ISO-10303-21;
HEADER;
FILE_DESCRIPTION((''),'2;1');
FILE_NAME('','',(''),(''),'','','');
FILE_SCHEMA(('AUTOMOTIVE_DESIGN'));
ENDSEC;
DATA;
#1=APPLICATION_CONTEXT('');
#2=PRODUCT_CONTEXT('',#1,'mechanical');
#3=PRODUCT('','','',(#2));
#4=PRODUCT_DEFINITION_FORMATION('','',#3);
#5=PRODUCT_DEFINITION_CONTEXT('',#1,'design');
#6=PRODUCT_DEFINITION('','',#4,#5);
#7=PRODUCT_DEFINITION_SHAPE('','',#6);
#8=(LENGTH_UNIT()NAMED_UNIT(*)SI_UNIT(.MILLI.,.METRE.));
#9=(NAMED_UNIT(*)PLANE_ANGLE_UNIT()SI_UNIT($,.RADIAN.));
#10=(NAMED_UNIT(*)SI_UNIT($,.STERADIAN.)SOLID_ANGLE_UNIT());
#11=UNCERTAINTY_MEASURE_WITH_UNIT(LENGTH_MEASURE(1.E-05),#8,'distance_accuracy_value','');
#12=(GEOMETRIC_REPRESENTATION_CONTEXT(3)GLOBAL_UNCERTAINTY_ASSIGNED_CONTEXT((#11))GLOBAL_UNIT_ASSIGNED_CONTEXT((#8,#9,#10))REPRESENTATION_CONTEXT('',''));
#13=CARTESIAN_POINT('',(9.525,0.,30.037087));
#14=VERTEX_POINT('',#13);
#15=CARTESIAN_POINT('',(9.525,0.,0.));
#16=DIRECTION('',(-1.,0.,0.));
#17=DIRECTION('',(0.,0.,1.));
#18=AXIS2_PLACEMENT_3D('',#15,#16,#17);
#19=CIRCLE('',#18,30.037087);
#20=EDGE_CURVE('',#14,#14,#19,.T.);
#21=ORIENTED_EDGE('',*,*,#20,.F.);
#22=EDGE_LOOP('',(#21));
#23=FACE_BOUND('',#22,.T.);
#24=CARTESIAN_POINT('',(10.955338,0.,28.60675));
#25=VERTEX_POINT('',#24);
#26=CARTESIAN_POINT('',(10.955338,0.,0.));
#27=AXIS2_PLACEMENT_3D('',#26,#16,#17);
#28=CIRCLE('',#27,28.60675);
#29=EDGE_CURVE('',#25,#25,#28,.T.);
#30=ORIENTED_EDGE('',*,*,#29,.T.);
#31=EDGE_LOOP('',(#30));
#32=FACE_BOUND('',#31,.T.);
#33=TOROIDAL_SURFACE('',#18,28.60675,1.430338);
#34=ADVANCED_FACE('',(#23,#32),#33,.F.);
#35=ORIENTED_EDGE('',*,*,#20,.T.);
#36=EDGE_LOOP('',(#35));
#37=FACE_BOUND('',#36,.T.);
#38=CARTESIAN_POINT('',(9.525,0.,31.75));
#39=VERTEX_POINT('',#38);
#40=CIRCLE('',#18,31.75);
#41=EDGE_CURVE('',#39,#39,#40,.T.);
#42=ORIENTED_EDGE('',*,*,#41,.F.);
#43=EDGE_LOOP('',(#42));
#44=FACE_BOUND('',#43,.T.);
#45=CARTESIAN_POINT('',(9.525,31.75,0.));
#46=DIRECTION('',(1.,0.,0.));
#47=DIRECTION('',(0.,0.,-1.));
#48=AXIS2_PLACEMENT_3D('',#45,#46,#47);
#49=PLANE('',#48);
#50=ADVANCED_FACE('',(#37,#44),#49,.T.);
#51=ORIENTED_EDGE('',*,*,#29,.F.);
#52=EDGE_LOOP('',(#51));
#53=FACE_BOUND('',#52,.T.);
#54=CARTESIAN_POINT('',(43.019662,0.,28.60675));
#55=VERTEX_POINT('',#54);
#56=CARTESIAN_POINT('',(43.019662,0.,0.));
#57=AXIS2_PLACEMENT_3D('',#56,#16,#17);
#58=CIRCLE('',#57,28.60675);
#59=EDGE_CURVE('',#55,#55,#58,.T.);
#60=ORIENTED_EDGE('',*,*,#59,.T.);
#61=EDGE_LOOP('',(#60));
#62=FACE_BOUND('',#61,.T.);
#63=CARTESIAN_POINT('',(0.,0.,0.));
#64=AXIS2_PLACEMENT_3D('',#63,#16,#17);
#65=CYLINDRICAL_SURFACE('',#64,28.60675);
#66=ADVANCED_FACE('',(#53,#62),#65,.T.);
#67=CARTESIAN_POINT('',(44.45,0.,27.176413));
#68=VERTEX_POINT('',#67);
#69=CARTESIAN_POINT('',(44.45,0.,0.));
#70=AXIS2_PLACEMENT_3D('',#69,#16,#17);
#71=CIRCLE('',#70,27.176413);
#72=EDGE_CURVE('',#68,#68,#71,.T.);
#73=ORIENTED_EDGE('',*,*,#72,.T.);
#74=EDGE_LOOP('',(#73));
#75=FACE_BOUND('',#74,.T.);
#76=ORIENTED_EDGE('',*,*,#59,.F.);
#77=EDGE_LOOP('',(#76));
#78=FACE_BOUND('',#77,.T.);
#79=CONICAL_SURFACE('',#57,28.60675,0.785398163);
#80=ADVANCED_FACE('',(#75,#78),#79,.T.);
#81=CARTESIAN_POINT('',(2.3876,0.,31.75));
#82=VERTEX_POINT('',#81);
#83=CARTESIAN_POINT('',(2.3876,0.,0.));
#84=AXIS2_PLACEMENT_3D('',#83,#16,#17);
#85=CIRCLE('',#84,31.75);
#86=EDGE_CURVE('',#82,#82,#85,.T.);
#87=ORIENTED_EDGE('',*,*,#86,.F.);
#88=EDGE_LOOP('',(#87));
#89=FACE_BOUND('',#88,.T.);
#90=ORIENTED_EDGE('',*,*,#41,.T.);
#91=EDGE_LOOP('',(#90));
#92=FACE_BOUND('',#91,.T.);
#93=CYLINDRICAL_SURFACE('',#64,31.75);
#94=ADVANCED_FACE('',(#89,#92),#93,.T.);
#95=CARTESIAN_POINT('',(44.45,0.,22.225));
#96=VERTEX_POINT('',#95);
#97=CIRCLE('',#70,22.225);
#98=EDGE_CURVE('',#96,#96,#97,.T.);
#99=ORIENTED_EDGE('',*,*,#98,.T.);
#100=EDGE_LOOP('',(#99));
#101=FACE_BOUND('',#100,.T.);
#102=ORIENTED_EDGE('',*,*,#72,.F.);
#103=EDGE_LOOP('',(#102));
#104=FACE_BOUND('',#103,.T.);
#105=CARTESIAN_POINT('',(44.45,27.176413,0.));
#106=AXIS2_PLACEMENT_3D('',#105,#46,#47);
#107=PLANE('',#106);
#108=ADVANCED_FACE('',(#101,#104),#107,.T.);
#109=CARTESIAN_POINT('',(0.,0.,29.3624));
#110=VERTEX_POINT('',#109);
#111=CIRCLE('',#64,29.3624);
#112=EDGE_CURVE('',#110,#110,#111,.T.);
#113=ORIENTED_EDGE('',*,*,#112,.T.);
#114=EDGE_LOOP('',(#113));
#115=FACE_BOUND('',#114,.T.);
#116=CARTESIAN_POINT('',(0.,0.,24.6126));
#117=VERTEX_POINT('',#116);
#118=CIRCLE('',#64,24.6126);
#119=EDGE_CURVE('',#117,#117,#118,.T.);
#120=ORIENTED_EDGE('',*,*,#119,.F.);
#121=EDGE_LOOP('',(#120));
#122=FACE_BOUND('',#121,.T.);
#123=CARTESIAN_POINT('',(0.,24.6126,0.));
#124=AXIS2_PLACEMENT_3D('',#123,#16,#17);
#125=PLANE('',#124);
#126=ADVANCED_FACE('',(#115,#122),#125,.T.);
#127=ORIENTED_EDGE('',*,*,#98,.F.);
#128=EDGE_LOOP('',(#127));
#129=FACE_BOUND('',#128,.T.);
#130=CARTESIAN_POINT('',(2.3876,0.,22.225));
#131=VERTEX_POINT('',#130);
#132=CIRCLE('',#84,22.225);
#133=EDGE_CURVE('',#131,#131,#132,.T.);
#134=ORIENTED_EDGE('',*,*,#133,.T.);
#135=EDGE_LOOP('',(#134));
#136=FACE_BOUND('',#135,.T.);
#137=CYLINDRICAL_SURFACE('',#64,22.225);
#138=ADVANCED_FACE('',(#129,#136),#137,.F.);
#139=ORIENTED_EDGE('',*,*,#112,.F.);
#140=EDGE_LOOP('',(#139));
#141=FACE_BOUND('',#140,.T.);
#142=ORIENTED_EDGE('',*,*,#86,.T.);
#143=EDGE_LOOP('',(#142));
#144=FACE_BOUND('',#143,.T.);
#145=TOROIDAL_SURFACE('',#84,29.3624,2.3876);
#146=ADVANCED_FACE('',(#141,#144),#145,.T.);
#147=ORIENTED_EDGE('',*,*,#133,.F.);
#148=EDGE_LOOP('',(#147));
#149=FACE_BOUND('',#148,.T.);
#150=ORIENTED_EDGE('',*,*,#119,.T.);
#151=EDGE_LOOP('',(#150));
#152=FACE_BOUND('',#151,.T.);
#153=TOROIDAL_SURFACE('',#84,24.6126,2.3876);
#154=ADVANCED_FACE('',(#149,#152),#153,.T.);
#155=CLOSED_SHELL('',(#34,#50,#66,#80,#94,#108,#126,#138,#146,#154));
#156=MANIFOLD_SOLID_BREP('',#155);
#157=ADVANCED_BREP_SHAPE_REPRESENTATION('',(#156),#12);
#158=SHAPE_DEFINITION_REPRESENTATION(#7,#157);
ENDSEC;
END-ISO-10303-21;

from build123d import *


with BuildPart() as part:
    # Sketch1 → BaseBody (revolve)
    with BuildSketch(Plane.XY, mode=Mode.PRIVATE) as basebody_sk:
        with BuildLine():
            Line((0, 24.6126), (0, 29.3624))
            ThreePointArc((0, 29.3624), (0.699311849, 31.050688151), (2.3876, 31.75))
            Line((2.3876, 31.75), (9.525, 31.75))
            Line((9.525, 31.75), (9.525, 30.0370875))
            ThreePointArc((9.525, 30.0370875), (8.513598654, 27.595348654), (10.9553375, 28.60675))
            Line((10.9553375, 28.60675), (43.0196625, 28.60675))
            Line((43.0196625, 28.60675), (44.45, 27.1764125))
            Line((44.45, 27.1764125), (44.45, 22.225))
            Line((44.45, 22.225), (2.3876, 22.225))
            ThreePointArc((2.3876, 22.225), (0.699311849, 22.924311849), (0, 24.6126))
        make_face()
    revolve(basebody_sk.sketch.rotate(Axis((0, 0, 0), (1, 0, 0)), 90), axis=Axis((0, 0, 0), (1, 0, 0)))


solid = part.part
